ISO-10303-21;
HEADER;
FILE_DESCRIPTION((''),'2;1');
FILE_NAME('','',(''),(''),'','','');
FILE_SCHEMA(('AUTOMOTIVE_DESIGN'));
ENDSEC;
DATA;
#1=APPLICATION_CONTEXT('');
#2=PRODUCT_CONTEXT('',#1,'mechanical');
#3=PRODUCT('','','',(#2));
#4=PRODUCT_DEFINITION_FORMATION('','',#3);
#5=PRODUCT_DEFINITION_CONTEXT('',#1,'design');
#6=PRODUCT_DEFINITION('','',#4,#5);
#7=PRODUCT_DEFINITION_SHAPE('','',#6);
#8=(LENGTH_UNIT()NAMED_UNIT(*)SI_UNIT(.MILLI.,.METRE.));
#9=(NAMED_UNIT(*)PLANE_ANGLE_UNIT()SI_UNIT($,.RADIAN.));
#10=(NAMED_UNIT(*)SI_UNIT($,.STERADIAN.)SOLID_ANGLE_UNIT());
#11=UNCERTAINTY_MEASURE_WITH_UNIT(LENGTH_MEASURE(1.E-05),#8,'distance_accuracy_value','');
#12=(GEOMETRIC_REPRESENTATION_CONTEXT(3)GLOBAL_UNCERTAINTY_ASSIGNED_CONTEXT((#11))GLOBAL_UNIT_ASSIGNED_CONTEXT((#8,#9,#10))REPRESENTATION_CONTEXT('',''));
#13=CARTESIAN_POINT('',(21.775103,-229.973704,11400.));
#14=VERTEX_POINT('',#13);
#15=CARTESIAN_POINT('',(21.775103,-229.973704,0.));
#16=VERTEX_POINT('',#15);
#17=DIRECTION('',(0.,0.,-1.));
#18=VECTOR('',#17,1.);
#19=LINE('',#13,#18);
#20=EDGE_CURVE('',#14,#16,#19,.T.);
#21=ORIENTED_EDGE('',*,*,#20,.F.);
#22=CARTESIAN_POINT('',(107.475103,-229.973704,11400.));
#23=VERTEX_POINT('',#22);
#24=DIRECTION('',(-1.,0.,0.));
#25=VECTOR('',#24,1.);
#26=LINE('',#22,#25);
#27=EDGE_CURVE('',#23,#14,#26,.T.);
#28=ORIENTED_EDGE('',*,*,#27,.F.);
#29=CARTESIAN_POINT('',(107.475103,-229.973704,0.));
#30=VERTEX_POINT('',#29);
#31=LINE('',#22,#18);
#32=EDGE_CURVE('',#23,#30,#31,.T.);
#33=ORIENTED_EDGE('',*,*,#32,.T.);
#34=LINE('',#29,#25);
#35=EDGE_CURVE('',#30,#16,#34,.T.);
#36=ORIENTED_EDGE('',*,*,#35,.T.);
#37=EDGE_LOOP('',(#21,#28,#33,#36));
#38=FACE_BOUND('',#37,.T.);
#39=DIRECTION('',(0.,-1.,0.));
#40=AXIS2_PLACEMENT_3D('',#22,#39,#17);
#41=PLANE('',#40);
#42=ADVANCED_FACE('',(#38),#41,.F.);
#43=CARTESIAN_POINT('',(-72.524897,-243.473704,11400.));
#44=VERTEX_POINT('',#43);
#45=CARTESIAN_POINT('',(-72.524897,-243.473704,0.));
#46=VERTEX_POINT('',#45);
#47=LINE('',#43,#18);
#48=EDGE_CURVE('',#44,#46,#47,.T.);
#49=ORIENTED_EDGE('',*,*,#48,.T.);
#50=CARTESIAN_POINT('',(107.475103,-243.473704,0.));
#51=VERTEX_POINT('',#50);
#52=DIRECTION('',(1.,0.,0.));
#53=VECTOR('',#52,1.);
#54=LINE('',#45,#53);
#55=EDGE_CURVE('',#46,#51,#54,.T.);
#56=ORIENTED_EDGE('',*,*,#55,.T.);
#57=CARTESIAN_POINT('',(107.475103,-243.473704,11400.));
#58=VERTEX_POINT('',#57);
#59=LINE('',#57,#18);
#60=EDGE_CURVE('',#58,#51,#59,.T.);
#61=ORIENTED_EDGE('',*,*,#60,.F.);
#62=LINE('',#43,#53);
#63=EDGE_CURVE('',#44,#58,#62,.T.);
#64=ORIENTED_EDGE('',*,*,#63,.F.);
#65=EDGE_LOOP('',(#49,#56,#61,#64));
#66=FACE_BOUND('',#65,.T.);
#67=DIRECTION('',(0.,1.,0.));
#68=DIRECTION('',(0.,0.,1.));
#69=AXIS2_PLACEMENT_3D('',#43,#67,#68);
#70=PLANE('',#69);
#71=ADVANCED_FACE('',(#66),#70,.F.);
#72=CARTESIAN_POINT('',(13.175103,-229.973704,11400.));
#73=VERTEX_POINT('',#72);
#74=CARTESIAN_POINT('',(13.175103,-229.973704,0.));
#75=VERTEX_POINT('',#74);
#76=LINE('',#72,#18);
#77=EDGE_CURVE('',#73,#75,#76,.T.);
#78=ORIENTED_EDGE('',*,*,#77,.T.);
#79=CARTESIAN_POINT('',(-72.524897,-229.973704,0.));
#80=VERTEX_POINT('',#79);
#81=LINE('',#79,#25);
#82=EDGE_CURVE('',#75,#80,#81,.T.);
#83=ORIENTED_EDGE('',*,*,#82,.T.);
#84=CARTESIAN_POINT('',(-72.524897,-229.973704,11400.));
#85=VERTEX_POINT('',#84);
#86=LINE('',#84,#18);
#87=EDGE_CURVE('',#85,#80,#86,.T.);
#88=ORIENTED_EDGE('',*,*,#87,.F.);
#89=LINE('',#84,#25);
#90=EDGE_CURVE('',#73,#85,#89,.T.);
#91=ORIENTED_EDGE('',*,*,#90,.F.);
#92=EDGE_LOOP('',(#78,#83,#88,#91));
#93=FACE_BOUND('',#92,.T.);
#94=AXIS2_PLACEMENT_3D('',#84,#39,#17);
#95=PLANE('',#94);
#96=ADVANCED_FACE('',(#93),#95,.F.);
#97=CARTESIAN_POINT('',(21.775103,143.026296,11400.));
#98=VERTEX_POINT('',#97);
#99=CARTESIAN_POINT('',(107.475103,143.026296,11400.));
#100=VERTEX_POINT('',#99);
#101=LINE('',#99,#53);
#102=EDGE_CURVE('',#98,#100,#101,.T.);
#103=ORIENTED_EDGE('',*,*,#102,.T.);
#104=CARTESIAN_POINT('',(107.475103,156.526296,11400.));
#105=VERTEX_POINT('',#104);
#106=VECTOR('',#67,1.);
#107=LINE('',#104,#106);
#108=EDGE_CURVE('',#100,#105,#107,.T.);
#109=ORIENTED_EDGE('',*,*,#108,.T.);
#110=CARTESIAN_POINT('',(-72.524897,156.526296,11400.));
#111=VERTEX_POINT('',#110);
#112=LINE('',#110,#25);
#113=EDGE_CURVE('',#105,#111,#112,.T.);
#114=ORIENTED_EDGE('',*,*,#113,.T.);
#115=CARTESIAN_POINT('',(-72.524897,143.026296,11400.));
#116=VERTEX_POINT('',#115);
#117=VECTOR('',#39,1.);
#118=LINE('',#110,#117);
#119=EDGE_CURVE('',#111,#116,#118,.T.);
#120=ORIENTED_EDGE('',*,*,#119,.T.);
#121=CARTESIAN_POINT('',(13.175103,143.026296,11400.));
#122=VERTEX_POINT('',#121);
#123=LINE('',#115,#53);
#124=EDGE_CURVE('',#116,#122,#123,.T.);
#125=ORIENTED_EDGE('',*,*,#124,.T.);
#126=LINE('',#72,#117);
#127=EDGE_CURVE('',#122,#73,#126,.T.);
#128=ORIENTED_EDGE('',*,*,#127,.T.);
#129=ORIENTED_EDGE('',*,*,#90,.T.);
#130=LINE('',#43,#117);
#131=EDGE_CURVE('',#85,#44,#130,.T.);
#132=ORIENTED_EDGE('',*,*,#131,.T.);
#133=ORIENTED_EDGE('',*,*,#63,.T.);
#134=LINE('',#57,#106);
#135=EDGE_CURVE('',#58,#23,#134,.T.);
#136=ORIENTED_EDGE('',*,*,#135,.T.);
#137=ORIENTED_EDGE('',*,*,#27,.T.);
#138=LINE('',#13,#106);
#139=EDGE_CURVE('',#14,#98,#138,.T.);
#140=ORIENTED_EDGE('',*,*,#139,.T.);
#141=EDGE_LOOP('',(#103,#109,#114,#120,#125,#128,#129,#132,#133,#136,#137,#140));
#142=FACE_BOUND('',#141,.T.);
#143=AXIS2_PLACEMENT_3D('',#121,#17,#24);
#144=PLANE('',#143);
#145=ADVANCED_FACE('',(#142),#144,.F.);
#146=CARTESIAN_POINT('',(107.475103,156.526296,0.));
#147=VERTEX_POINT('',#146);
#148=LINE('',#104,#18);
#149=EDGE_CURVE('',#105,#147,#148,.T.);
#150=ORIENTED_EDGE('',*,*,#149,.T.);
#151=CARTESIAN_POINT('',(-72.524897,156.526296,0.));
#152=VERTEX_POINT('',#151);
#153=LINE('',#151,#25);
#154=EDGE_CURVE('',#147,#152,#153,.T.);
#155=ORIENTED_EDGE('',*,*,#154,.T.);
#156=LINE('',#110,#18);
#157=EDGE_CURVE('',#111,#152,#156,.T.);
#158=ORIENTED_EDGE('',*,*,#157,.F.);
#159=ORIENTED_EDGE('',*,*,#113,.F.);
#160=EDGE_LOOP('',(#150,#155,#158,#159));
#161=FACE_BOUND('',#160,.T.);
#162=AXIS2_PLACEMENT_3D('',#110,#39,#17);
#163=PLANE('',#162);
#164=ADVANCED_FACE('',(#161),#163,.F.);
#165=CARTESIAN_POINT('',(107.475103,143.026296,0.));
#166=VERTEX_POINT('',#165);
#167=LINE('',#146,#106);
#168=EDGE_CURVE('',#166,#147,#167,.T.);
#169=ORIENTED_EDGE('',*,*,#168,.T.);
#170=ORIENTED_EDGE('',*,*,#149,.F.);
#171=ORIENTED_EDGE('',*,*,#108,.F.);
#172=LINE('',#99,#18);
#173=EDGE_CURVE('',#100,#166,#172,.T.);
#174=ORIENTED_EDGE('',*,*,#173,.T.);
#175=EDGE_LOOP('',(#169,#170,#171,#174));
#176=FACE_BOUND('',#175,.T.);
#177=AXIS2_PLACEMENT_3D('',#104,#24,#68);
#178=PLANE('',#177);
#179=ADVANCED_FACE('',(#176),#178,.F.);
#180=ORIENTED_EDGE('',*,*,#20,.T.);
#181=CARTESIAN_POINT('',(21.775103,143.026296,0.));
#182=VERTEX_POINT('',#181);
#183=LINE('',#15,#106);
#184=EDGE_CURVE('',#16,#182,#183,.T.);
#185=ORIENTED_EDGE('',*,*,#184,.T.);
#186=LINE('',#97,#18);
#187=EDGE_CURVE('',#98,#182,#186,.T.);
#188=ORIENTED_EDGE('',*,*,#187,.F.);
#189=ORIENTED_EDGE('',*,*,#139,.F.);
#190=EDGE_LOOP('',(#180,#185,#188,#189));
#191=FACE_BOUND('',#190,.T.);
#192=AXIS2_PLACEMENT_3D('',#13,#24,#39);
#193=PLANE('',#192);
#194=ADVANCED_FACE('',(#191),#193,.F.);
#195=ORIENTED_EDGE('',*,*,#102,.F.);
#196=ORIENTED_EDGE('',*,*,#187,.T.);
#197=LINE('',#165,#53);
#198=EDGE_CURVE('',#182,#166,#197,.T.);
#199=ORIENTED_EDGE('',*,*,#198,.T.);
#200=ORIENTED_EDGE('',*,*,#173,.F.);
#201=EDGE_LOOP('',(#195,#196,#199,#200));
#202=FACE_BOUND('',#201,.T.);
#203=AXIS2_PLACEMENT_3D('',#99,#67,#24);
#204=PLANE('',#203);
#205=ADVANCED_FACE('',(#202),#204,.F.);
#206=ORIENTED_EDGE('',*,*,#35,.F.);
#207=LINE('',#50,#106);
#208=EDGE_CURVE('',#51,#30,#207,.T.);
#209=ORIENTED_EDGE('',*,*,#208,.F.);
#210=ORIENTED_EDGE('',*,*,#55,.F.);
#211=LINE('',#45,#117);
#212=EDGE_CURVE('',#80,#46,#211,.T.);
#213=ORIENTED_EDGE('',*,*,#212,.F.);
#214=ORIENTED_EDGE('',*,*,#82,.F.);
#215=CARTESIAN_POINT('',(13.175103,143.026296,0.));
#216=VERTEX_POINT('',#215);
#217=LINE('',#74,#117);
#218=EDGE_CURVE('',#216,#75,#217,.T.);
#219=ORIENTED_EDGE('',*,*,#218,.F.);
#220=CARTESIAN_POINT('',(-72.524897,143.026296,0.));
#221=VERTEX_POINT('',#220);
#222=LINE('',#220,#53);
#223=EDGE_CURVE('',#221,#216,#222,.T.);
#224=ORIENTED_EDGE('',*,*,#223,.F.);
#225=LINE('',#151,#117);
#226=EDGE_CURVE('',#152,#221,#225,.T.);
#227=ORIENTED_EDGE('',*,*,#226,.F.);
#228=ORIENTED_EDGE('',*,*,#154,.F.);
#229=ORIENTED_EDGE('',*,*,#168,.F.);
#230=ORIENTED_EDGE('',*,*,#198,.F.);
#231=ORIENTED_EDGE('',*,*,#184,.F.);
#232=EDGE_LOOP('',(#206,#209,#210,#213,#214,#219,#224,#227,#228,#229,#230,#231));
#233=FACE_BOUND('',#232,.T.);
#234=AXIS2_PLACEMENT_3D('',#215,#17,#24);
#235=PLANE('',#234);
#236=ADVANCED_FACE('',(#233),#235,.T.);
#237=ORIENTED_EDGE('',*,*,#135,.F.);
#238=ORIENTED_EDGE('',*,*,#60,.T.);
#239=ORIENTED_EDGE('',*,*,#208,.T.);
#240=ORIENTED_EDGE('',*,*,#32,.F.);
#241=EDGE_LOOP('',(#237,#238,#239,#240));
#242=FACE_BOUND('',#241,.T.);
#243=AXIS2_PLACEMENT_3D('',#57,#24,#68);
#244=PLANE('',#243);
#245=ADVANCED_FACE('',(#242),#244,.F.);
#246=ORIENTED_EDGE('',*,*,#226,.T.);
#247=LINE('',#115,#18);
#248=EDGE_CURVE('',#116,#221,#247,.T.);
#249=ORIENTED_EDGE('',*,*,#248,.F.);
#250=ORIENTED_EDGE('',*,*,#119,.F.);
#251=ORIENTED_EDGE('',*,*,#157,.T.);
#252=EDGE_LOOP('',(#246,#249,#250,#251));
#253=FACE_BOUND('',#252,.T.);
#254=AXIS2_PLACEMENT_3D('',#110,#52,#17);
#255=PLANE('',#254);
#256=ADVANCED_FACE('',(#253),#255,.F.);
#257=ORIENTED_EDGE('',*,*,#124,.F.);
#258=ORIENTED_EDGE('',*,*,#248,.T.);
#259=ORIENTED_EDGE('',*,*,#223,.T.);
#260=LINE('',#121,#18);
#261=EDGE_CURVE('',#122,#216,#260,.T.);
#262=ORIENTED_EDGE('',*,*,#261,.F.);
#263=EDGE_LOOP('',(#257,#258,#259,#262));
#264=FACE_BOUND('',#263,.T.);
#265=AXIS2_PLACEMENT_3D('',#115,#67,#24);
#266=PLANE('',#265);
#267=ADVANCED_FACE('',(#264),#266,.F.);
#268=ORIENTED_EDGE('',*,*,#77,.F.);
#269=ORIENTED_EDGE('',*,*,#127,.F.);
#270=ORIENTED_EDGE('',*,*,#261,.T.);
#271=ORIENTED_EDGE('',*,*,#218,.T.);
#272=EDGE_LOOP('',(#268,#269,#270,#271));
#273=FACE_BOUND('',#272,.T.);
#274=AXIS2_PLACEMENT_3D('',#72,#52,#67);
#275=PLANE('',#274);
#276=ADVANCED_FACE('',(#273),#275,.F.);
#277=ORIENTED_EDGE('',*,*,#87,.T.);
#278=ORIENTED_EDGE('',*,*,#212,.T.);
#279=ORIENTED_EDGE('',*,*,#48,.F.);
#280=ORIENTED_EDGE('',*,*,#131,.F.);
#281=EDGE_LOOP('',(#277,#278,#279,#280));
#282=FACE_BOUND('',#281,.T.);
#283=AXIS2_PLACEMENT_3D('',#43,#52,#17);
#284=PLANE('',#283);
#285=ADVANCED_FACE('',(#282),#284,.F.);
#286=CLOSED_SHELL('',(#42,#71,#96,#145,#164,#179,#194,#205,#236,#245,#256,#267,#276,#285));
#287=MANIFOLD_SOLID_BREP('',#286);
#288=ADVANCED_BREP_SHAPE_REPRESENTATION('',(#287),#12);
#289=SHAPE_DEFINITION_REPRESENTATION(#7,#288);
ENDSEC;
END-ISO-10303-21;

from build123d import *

# Parameters (mm, degrees)
BOSS_EXTRUDE1_DEPTH = 11400


with BuildPart() as part:
    # Sketch1 → Boss-Extrude1 (new body)
    with BuildSketch(Plane.XY):
        Polygon((-72.52489736, -243.4737041), (107.4751026, -243.4737041), (107.4751026, -229.9737041), (21.77510265, -229.9737041), (21.77510265, 143.0262959), (107.47510264, 143.0262959), (107.47510264, 156.5262959), (-72.524897354, 156.5262959), (-72.524897354, 143.0262959), (13.175102646, 143.0262959), (13.175102646, -229.9737041), (-72.52489736, -229.9737041), align=None)
    extrude(amount=BOSS_EXTRUDE1_DEPTH)


solid = part.part
